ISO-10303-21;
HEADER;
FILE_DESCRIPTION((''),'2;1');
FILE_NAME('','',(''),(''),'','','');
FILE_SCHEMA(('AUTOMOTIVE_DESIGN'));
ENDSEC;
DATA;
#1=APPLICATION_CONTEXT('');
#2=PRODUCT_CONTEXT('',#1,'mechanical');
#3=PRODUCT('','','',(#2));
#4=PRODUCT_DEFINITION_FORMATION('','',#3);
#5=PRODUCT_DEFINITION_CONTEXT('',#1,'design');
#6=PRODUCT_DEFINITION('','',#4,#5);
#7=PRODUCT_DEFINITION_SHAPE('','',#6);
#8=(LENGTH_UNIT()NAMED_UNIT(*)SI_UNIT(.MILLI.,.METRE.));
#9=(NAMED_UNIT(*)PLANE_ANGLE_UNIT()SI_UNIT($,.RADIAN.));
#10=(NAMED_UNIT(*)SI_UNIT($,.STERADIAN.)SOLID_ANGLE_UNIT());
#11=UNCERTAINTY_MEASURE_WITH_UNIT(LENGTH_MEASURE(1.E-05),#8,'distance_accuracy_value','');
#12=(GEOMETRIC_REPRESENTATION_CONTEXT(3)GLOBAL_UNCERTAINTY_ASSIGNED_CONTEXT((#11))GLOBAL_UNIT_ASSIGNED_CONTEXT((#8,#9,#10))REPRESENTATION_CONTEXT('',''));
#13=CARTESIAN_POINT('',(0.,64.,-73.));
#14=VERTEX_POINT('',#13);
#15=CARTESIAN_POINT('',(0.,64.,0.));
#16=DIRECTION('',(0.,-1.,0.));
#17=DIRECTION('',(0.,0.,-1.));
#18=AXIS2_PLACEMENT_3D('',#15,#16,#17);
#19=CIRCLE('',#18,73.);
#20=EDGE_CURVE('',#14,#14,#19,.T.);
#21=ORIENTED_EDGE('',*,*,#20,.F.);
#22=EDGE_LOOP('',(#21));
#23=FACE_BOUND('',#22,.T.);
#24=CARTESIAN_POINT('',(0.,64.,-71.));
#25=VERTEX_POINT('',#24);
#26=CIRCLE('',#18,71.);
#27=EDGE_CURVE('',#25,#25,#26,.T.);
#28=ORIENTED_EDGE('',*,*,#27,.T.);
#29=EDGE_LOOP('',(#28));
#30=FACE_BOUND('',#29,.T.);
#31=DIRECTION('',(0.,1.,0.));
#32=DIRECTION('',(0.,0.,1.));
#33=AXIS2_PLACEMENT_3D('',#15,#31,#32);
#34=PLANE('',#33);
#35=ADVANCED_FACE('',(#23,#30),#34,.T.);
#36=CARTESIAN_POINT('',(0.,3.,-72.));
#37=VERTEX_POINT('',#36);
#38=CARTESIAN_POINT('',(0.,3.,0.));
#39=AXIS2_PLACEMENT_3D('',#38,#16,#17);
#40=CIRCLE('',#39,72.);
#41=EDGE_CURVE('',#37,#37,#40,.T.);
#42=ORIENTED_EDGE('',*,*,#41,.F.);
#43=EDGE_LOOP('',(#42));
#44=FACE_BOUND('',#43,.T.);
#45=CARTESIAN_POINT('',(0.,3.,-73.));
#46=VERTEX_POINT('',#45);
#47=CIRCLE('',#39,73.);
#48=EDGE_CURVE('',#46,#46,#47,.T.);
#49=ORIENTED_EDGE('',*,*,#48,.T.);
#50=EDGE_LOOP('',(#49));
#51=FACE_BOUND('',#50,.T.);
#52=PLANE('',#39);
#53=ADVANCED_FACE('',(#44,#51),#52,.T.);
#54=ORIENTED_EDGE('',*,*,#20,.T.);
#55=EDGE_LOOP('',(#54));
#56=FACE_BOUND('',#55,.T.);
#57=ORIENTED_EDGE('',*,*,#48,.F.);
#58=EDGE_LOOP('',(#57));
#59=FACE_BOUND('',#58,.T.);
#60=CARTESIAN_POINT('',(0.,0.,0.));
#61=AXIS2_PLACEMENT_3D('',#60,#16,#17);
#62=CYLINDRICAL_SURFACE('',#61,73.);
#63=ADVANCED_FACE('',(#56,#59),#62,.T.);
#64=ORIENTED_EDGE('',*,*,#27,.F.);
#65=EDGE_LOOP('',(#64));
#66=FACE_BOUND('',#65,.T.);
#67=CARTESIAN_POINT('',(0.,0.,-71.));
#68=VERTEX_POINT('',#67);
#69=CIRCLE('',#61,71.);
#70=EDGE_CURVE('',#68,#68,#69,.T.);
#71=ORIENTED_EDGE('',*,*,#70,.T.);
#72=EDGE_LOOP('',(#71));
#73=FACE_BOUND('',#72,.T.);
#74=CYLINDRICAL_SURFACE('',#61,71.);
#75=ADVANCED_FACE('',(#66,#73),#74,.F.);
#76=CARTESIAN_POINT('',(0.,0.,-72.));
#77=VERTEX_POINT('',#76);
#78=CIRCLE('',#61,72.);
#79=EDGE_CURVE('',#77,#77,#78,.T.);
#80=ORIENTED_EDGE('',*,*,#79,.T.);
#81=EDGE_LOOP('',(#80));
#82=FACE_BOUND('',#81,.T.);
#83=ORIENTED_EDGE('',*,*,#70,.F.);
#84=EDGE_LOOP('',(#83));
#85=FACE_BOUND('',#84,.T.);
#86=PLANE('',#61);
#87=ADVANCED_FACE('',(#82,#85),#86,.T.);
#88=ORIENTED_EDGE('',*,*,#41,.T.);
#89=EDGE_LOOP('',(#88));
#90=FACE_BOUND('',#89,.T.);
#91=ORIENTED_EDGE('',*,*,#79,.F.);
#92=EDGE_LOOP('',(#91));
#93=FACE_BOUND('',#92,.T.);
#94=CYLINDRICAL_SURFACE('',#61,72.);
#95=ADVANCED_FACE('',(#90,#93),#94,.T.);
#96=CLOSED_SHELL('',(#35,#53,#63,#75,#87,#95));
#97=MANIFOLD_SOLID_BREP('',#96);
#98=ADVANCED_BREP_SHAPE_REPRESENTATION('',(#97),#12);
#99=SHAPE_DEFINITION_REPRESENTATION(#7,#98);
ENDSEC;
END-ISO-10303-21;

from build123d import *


with BuildPart() as part:
    # Schizzo1 → Rivoluzione1 (revolve)
    with BuildSketch(Plane.XY, mode=Mode.PRIVATE) as rivoluzione1_sk:
        Polygon((-71, 3), (-71, 0), (-72, 0), (-72, 3), (-73, 3), (-73, 64), (-71, 64), align=None)
    revolve(rivoluzione1_sk.sketch.rotate(Axis((0, 0, 0), (0, 1, 0)), 270), axis=Axis((0, 0, 0), (0, 1, 0)))


solid = part.part
